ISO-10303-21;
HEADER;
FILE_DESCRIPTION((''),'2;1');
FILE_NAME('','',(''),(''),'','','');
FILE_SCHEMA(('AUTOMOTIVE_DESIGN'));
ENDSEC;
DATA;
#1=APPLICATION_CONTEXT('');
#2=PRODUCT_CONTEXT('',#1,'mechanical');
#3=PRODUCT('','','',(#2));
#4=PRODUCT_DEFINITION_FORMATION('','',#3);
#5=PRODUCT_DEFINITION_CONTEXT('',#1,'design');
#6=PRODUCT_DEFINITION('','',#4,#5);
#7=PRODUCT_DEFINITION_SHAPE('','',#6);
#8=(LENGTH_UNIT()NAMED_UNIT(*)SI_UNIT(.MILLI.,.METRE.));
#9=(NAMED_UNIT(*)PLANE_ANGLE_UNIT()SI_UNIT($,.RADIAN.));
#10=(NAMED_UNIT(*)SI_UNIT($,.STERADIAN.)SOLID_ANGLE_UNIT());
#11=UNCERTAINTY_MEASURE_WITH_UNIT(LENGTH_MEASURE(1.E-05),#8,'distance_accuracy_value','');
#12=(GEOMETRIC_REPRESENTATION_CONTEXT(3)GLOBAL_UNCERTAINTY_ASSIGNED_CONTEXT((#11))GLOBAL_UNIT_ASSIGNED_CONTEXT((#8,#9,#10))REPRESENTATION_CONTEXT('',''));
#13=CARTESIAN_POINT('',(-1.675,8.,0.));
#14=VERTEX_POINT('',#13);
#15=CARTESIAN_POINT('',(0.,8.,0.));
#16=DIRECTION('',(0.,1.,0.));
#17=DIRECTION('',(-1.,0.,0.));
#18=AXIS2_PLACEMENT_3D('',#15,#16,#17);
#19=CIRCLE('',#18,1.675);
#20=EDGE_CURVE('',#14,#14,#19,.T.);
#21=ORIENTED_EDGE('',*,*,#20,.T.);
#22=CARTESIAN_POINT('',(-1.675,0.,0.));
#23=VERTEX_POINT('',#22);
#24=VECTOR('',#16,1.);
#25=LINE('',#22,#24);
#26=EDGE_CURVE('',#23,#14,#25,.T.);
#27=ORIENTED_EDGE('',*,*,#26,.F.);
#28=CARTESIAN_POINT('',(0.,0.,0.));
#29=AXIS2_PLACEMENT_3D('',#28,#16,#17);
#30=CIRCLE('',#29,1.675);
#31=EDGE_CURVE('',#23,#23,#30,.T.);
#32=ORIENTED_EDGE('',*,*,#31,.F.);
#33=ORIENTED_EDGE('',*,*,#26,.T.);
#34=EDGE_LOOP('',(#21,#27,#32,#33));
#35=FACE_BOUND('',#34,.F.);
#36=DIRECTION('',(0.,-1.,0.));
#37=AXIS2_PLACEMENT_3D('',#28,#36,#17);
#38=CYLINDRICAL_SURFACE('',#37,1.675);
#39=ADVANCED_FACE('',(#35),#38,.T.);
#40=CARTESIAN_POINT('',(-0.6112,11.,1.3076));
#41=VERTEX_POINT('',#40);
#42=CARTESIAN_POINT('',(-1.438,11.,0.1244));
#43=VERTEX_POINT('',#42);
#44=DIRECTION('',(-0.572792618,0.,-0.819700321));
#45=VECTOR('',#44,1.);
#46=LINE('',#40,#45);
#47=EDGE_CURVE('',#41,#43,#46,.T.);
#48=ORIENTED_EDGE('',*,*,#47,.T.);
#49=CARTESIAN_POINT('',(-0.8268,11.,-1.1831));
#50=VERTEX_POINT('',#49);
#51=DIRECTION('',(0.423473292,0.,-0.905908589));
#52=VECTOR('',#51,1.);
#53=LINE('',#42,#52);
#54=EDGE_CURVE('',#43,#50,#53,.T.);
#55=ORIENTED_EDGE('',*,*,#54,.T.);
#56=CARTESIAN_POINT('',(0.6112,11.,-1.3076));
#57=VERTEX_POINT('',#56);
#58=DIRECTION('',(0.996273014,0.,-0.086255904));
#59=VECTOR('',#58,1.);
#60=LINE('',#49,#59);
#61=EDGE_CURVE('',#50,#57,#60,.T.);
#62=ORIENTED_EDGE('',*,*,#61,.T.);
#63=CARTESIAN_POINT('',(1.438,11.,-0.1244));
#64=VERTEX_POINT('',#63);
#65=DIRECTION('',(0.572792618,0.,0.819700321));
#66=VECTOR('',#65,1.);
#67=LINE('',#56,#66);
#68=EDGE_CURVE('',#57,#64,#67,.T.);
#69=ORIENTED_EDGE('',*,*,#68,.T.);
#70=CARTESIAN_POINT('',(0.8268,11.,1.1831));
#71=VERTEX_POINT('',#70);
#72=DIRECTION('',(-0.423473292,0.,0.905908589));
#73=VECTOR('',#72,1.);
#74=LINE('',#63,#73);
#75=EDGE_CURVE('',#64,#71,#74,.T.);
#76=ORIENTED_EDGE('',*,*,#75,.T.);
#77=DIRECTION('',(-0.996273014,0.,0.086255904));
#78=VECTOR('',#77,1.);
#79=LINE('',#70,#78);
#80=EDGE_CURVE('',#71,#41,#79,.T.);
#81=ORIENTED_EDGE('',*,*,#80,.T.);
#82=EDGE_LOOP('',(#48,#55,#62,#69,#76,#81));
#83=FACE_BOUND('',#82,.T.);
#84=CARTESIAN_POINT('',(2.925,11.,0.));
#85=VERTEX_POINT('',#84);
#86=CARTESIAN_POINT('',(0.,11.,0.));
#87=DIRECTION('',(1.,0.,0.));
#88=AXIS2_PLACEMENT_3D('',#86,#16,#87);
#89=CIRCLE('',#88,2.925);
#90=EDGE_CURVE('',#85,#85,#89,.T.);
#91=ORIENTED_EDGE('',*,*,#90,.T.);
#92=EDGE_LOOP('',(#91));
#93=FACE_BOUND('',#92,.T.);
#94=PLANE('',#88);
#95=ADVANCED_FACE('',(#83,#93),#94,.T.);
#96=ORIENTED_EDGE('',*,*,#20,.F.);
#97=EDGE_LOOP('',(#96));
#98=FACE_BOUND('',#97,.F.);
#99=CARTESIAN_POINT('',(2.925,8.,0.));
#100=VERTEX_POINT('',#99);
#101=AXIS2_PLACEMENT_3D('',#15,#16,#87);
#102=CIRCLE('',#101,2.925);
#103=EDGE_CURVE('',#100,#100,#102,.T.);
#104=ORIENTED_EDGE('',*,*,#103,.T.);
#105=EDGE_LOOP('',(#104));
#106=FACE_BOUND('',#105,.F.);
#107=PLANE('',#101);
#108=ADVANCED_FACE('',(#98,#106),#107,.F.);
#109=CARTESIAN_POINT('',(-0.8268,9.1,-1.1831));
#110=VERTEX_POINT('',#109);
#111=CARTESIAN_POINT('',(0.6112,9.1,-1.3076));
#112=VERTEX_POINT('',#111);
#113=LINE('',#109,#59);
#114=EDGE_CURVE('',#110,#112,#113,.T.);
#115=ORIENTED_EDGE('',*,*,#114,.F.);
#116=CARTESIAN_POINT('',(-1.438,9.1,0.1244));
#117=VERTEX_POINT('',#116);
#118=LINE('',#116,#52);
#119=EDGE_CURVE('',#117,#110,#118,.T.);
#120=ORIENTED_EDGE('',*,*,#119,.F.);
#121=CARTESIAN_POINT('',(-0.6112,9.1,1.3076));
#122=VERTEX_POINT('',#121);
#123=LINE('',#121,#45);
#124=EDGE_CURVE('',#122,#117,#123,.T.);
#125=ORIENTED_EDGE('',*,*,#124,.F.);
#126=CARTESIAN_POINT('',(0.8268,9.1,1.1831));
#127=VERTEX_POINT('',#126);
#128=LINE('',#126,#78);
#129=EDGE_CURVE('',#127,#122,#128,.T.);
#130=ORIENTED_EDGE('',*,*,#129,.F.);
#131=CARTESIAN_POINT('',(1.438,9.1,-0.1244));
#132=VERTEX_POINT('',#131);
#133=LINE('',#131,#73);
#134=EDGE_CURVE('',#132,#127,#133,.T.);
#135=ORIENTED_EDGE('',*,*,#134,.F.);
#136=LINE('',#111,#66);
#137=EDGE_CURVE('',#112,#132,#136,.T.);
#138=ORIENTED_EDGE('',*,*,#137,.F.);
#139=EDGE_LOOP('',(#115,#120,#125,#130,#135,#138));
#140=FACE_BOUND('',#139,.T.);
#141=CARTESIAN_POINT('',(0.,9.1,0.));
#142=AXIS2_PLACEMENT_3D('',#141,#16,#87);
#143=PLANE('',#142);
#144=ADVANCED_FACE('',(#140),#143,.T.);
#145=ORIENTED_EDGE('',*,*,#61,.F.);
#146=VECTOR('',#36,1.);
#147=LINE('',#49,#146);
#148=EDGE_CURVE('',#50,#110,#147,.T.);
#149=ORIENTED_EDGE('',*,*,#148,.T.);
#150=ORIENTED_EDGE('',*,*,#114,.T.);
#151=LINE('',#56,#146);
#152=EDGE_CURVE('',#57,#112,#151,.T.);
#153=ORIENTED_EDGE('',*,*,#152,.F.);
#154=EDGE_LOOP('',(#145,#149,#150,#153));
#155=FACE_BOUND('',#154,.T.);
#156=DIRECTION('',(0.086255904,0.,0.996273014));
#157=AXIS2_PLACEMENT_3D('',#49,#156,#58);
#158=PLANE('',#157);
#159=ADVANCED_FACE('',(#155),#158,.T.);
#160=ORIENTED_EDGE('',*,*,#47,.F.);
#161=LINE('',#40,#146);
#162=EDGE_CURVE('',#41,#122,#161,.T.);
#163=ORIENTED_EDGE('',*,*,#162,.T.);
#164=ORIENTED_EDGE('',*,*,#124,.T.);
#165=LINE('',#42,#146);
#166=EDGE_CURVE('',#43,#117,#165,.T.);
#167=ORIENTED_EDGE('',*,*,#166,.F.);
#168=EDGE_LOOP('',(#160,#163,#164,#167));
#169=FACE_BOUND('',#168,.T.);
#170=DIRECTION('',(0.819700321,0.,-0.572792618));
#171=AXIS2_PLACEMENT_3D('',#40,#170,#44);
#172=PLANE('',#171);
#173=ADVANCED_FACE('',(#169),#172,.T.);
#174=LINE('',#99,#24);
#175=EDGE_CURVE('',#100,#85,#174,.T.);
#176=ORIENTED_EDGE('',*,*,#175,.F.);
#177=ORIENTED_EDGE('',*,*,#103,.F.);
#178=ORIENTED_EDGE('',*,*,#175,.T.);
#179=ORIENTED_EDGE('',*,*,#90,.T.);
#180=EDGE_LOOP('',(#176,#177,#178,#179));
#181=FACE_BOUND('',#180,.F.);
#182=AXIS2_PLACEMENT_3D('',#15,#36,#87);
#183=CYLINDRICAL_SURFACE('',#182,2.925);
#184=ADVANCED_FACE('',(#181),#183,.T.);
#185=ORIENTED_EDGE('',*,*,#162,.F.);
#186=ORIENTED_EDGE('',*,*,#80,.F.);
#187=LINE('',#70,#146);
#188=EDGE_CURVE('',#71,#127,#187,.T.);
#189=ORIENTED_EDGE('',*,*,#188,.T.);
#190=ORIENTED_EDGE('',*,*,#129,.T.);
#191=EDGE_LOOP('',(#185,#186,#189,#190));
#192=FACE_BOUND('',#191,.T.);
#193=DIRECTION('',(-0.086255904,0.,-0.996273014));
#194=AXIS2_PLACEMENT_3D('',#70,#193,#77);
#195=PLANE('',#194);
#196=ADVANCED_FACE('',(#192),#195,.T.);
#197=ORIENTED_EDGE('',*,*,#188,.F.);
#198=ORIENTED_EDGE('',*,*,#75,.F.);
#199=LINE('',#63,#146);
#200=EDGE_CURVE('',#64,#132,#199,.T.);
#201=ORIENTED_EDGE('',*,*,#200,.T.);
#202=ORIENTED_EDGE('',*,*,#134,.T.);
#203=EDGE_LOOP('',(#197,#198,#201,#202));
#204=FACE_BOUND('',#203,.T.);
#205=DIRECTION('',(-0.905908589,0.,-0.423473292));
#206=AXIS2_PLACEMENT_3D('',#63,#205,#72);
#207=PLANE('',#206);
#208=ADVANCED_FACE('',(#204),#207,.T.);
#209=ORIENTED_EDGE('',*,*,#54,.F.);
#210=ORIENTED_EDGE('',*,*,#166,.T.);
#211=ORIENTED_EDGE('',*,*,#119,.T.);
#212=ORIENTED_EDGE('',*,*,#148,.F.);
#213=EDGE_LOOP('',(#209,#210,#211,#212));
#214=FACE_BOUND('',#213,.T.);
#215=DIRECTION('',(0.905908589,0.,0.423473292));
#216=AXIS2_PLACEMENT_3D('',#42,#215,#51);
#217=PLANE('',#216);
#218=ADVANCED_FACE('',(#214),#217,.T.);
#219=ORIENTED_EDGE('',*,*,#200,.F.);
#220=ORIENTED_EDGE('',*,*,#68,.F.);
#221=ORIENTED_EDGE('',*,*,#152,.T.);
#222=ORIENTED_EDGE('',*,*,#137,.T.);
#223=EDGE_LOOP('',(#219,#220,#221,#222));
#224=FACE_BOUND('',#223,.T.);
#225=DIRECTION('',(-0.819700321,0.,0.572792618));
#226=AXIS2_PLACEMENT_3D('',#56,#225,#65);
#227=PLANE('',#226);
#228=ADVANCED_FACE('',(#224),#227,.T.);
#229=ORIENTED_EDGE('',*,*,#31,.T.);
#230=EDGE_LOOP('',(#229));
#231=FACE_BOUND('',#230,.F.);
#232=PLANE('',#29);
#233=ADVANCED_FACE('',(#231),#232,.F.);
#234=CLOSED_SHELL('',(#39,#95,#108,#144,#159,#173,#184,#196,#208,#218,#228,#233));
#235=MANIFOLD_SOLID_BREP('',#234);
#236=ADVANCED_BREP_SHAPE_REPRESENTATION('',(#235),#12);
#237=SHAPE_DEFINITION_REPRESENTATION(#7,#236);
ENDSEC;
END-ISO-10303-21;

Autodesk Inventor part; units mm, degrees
ref_plane "YZ Plane" through (0, 0, 0) normal (1, 0, 0) x (0, 1, 0)
ref_plane "XZ Plane" through (0, 0, 0) normal (0, 1, 0) x (-1, 0, 0)
ref_plane "XY Plane" through (0, 0, 0) normal (0, 0, 1) x (1, 0, 0)
sketch "Sketch1" plane through (0, 0, 0) normal (0, 1, 0) x (-1, 0, 0)
  circle A0 centre (0, 0) radius 1.675
  dimension "d0" = 3.35
extrude "Extrusion1" add sketch "Sketch1" along normal blind 8
sketch "Sketch2" plane through (0, 8, 0) normal (0, 1, 0) x (1, 0, 0)
  circle A0 centre (0, 0) radius 1.675 projected
  circle A1 centre (0, 0) radius 2.925
  dimension "d3" = 5.85
extrude "Extrusion2" add sketch "Sketch2" along normal blind 3 contours A0 | A1
sketch "Sketch3" plane through (0, 11, 0) normal (0, 1, 0) x (1, 0, 0)
  line L0 (-0.8268, 1.1831) -> (0.6112, 1.3076)
  line L1 (0.6112, 1.3076) -> (1.438, 0.1244)
  line L2 (1.438, 0.1244) -> (0.8268, -1.1831)
  line L3 (0.8268, -1.1831) -> (-0.6112, -1.3076)
  line L4 (-0.6112, -1.3076) -> (-1.438, -0.1244)
  line L5 (-1.438, -0.1244) -> (-0.8268, 1.1831)
  point P0 (0, 0)
  point P1 (0, 0)
  dimension "d6" = 2.5
extrude "Extrusion3" cut sketch "Sketch3" against normal blind 1.9
equation "\"d0\" = screw_m3_A"
equation "\"d1\" = screw_m3_B"
equation "\"d3\" = screw_m3_C"
equation "\"d4\" = screw_m3_D"
equation "\"screw_m3_B\" = 8"
equation "\"screw_m3_D\" = 3"
equation "\"screw_m3_A\" = 3.35"
equation "\"screw_m3_C\" = 5.85"
properties part number "M3_SCREW_8MM"
